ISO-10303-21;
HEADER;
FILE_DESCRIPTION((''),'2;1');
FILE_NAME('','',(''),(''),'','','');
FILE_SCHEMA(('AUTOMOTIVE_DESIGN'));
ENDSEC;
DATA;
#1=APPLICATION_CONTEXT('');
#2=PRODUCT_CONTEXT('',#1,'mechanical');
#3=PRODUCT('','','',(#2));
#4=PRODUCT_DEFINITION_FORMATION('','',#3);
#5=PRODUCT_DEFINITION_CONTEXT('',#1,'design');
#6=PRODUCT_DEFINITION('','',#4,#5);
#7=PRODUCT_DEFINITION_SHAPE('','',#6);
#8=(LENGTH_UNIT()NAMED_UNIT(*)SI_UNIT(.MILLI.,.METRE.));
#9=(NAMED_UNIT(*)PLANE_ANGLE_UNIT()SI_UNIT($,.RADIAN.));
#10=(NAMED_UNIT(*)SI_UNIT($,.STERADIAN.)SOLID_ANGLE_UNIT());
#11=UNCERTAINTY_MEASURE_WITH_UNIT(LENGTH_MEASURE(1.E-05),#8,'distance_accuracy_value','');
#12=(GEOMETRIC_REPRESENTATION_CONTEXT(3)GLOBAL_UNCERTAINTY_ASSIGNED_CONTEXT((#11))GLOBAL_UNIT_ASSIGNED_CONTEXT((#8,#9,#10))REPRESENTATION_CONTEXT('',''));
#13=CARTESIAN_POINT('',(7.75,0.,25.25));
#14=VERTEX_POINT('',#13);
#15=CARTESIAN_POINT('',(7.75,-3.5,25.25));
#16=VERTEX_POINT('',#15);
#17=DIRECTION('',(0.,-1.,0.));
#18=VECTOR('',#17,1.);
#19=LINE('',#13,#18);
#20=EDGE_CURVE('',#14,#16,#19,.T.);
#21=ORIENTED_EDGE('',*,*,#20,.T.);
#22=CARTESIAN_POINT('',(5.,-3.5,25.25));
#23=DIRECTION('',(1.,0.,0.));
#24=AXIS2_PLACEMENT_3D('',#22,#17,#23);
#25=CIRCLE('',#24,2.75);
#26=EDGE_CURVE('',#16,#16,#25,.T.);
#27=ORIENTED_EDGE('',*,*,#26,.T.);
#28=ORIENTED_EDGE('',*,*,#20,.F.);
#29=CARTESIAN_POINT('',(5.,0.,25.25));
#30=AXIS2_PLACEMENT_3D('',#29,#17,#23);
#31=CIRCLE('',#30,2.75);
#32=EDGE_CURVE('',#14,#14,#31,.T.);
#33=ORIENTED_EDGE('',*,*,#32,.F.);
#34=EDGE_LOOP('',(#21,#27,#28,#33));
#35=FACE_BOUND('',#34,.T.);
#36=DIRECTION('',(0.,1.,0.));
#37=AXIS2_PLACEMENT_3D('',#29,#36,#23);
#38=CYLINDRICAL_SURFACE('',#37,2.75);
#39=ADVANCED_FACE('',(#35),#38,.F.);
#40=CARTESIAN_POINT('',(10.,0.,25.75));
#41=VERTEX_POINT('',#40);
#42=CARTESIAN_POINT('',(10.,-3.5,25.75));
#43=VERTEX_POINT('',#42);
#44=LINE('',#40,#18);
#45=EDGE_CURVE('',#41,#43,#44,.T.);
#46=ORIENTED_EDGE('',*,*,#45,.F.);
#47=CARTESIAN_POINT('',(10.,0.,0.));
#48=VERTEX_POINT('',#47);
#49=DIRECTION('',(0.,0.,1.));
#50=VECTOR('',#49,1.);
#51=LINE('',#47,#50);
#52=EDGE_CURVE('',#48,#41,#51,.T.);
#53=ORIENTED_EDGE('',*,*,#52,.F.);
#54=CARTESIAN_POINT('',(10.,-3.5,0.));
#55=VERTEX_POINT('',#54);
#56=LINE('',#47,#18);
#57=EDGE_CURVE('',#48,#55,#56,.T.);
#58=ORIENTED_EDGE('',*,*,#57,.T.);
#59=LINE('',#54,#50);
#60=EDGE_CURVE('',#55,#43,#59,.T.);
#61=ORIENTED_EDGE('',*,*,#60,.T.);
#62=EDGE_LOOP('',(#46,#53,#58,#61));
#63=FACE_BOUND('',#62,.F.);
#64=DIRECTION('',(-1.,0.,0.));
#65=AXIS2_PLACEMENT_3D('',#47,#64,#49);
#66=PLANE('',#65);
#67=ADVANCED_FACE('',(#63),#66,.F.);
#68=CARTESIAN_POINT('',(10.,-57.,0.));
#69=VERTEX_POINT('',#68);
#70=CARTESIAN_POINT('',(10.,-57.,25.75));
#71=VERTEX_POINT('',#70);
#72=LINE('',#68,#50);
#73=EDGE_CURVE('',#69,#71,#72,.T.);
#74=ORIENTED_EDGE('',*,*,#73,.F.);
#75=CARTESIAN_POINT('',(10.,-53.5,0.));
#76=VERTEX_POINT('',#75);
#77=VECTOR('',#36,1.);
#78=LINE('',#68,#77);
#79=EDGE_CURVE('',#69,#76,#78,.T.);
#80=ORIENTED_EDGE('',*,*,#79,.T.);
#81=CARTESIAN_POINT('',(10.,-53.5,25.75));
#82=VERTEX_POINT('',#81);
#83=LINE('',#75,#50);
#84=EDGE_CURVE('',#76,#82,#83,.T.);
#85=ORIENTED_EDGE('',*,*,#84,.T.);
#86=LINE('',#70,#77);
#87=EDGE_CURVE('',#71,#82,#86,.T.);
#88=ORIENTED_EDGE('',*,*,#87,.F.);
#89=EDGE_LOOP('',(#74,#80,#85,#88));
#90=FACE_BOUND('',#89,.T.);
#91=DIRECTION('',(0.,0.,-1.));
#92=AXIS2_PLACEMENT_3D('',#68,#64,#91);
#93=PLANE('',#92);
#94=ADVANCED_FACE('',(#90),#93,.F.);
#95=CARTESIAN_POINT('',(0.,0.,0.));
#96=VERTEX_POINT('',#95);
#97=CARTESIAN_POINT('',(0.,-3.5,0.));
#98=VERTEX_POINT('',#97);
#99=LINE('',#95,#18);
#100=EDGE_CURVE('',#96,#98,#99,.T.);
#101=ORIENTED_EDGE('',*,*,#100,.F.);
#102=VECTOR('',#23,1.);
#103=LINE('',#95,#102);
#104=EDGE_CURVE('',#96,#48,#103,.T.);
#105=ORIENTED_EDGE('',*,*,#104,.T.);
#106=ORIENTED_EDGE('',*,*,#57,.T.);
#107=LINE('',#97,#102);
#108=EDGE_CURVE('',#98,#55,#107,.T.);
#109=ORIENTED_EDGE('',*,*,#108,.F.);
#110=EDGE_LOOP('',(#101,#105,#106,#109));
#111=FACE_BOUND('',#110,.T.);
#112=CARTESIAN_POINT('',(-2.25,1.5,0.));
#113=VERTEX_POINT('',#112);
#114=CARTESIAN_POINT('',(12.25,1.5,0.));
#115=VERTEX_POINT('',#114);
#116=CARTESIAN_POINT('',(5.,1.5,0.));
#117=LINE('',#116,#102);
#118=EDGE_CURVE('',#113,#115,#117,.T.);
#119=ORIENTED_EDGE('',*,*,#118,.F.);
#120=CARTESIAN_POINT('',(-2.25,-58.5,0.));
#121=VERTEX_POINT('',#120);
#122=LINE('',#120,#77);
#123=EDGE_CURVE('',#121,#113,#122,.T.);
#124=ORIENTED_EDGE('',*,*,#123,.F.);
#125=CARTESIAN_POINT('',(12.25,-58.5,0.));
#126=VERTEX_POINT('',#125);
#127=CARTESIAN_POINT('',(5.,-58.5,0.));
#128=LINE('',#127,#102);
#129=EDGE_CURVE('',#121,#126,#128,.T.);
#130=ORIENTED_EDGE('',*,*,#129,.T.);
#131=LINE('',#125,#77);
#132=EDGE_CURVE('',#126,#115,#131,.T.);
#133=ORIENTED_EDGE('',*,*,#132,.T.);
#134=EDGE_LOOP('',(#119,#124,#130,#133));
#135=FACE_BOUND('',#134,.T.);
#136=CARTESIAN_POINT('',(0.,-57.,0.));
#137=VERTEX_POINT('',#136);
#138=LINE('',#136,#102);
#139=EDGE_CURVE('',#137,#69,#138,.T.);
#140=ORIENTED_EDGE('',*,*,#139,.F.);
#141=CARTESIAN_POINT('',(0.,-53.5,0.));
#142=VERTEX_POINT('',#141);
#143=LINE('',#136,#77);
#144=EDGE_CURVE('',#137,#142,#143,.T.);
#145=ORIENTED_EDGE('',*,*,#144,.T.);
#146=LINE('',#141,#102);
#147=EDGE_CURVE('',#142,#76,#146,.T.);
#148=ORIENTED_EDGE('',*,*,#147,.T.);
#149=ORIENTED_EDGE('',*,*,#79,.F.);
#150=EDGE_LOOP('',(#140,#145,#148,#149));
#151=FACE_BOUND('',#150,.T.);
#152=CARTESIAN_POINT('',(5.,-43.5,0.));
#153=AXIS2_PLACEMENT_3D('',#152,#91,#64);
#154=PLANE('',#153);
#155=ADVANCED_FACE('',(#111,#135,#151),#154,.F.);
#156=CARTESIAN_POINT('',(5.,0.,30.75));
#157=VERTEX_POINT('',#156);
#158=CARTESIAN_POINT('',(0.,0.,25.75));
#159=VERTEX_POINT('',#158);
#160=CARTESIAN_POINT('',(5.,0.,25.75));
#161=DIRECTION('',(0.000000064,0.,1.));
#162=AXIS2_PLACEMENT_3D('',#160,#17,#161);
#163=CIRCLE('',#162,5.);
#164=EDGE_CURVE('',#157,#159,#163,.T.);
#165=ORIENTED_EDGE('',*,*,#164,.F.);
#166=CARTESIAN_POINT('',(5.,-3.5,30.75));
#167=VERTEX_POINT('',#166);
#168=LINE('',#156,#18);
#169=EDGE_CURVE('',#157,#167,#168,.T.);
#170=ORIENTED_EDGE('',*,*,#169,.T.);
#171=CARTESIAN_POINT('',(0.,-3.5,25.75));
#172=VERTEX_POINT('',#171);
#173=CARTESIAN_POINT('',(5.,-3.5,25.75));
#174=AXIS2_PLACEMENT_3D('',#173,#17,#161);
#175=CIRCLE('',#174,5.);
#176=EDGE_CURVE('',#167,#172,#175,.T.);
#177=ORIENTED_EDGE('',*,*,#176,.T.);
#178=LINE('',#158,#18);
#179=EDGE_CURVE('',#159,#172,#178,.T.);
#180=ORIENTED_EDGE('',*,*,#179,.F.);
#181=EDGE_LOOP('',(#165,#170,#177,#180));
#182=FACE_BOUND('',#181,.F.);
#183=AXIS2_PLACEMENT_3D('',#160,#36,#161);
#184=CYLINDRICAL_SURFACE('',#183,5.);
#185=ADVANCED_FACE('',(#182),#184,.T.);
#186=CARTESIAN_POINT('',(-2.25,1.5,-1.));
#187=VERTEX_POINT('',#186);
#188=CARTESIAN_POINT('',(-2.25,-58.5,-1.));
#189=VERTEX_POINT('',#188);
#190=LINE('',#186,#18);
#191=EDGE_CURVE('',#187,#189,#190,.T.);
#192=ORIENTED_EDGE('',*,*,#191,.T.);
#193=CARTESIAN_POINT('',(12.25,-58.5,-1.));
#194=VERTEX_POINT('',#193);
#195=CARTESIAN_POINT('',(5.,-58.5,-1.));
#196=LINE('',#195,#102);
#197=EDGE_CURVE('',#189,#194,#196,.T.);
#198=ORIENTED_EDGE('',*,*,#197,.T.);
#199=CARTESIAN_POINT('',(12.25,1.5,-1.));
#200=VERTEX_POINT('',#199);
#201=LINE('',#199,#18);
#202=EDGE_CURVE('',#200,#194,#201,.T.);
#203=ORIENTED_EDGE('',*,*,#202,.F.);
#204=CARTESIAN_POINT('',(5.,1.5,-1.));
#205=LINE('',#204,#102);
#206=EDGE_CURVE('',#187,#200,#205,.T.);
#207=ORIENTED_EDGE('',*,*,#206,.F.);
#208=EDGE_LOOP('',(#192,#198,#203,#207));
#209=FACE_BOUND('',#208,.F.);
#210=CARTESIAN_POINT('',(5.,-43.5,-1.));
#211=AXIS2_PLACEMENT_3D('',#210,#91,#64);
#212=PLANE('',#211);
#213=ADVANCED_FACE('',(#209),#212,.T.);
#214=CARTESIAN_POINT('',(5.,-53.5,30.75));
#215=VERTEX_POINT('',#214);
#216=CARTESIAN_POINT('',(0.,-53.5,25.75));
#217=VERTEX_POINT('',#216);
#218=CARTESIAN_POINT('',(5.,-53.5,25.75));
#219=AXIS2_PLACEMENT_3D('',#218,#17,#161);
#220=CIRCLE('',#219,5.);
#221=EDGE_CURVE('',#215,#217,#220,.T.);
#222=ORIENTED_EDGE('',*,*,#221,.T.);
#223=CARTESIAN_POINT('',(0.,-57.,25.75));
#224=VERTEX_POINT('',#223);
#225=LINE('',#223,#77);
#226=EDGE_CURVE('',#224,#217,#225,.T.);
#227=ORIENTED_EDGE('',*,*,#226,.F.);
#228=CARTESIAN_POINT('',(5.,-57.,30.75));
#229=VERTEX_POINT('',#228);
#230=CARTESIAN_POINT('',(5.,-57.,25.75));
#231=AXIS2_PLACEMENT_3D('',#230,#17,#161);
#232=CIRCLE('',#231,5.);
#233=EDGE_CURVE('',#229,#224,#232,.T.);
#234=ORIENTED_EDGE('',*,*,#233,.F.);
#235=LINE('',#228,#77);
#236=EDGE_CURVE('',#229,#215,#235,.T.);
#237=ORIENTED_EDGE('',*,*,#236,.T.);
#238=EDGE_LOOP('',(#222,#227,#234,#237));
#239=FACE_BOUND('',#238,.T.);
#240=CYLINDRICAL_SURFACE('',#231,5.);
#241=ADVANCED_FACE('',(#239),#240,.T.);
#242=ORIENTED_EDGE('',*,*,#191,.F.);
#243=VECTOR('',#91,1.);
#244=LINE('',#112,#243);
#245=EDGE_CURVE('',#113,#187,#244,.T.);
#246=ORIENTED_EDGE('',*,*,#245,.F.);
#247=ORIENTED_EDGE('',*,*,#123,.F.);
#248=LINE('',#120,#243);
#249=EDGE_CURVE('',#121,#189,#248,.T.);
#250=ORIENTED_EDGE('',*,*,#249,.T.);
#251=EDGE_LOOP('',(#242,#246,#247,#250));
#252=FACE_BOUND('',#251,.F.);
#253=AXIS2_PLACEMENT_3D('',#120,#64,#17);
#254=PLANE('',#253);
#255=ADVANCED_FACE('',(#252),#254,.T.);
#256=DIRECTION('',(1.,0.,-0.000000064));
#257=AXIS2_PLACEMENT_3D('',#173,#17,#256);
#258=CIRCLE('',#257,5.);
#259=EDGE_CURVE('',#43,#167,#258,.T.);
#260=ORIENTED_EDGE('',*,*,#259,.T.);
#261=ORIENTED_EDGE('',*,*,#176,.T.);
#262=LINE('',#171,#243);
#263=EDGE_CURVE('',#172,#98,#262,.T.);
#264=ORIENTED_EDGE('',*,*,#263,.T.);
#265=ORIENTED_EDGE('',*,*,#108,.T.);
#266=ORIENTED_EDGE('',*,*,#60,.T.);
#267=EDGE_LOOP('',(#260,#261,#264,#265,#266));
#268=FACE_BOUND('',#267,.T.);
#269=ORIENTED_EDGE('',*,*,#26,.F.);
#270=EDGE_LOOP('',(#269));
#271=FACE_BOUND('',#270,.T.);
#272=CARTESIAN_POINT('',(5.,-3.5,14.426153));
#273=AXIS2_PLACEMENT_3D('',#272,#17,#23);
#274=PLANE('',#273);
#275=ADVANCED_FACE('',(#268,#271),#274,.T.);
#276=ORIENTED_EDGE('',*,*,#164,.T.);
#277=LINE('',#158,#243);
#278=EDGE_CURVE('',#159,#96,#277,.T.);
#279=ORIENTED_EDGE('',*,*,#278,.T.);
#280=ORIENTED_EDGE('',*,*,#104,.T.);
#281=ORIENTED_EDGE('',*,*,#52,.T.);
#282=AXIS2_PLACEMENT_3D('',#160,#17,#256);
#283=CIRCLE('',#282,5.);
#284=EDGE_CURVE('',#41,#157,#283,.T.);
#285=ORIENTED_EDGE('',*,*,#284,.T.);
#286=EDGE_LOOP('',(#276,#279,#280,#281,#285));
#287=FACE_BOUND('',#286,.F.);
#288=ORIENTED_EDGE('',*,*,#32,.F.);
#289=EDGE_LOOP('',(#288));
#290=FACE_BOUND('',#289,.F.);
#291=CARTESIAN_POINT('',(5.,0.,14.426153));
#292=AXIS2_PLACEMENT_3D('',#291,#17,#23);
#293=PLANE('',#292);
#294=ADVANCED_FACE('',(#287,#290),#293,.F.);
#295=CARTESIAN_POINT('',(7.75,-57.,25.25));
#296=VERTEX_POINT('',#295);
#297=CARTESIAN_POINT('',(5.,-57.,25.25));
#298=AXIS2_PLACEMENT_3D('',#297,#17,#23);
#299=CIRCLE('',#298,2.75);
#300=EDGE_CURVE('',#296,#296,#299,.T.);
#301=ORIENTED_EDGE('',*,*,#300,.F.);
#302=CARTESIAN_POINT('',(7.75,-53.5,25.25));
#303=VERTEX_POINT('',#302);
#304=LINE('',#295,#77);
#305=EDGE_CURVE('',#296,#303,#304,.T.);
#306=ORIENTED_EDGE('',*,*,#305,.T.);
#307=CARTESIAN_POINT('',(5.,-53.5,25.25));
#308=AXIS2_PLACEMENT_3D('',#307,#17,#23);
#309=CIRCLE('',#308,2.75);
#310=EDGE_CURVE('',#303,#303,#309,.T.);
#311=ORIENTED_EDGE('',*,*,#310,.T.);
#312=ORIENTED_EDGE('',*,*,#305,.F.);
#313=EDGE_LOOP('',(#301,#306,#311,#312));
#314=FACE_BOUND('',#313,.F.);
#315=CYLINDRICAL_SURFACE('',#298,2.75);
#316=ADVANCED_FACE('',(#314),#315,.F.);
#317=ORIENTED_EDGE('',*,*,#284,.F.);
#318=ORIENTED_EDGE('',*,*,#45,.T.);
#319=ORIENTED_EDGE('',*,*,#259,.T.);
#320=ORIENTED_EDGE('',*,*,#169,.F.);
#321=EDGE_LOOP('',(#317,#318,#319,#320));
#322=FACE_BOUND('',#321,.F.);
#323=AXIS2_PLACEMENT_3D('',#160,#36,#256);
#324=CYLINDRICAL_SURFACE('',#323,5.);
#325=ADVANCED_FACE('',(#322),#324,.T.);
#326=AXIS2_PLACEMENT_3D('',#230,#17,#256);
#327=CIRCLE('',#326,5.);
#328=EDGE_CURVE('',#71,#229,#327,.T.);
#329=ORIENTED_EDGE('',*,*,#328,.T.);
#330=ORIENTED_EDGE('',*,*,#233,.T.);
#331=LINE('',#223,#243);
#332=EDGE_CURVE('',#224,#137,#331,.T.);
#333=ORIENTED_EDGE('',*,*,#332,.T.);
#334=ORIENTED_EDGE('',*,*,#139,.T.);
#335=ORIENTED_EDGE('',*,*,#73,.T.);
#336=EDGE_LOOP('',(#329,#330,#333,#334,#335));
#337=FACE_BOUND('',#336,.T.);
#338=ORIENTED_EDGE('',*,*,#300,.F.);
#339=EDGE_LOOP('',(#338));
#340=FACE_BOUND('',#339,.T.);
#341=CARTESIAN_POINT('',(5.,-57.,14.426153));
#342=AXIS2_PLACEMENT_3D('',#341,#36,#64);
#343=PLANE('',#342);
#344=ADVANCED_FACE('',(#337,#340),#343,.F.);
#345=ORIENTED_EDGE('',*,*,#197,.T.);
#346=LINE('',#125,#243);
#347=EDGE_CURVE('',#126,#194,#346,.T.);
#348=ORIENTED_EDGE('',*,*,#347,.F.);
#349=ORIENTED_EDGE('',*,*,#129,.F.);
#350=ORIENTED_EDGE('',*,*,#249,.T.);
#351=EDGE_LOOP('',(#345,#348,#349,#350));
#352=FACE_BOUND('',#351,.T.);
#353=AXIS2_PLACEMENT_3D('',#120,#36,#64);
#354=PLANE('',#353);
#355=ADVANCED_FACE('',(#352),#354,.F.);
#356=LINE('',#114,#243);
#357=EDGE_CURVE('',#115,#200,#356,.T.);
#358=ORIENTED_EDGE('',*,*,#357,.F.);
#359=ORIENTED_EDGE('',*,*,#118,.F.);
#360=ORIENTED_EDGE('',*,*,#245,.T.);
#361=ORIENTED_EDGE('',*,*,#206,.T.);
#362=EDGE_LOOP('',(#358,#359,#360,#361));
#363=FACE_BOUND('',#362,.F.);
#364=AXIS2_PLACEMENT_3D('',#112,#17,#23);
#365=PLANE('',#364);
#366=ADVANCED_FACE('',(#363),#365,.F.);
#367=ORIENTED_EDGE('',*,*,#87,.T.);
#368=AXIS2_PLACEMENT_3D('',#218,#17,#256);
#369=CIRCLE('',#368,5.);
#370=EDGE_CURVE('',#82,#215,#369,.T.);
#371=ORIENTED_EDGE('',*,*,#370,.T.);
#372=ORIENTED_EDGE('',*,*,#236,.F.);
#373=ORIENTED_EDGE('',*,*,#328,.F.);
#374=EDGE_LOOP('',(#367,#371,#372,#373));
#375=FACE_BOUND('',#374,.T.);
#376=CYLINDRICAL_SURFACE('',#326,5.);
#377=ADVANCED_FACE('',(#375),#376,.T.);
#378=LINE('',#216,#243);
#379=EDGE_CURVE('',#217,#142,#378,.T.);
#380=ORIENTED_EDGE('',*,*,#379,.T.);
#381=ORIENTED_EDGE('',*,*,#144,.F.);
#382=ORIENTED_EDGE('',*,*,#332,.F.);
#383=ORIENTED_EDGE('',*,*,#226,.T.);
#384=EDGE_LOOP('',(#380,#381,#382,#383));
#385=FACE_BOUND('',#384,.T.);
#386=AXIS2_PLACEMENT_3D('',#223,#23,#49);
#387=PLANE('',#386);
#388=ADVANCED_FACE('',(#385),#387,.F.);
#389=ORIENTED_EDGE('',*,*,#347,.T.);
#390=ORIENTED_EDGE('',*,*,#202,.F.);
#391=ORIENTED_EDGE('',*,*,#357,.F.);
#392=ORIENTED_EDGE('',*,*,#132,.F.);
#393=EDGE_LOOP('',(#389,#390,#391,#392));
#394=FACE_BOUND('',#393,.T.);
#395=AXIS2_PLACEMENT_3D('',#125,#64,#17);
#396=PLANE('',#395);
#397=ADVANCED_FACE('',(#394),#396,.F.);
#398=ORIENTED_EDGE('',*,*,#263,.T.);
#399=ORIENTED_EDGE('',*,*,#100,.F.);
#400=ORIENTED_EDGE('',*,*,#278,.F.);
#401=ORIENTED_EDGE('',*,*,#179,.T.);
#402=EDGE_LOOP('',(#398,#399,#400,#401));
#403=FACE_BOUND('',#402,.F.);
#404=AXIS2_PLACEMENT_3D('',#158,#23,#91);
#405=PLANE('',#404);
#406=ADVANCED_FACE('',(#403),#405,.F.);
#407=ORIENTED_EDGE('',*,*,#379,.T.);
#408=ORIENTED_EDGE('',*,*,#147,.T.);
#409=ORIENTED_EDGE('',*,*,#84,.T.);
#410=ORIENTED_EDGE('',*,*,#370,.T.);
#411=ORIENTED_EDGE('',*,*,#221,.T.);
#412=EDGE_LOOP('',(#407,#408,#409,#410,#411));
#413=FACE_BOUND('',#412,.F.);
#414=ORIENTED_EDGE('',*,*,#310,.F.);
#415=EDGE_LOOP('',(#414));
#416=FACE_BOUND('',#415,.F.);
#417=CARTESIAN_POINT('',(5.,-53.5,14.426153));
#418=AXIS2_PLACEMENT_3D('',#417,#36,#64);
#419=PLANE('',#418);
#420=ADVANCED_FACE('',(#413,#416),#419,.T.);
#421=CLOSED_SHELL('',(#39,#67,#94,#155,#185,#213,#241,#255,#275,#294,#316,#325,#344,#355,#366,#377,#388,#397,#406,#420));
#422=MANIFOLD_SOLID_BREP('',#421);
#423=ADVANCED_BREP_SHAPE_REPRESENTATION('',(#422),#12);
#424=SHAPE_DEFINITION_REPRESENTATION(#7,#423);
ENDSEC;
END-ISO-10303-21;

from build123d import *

# Parameters (mm, degrees)
F0_R     = 2.75
F1_DEPTH = 3.5
F2_W     = 14.5
F2_H     = 30
F2_W_2   = 10
F2_H_2   = 3.5
F3_DEPTH = 1


with BuildPart() as f1:
    # F0 (on Front) → F1 (new body)
    with BuildSketch(Plane.XZ):
        with BuildLine():
            Line((0, 25.75), (0, 0))
            Line((0, 0), (10, 0))
            Line((10, 0), (10, 25.75))
            ThreePointArc((10, 25.75), (8.535534, 29.285534), (5, 30.75))
            ThreePointArc((5, 30.75), (1.464466, 29.285534), (0, 25.75))
        make_face()
        with Locations((5, 25.25)):
            Circle(F0_R, mode=Mode.SUBTRACT)
    extrude(amount=F1_DEPTH)

    # F2 (on face) → F3 (join)
    with BuildSketch(Plane(origin=(0, 0, 0), x_dir=(1, 0, 0), z_dir=(0, 0, -1))):
        with Locations((5, 13.5)):
            Rectangle(F2_W, F2_H)
        with Locations((5, 1.75)):
            Rectangle(F2_W_2, F2_H_2, mode=Mode.SUBTRACT)
        with Locations((5, 1.75)):
            Rectangle(F2_W_2, F2_H_2)
    extrude(amount=F3_DEPTH)

    # F4: F1 across face


with BuildPart() as f1_1:
    add(f1.part)
    add(f1.part.mirror(Plane(origin=(5, -28.5, -0.5), x_dir=(1, 0, 0), z_dir=(0, -1, 0))))


solid = f1_1.part
